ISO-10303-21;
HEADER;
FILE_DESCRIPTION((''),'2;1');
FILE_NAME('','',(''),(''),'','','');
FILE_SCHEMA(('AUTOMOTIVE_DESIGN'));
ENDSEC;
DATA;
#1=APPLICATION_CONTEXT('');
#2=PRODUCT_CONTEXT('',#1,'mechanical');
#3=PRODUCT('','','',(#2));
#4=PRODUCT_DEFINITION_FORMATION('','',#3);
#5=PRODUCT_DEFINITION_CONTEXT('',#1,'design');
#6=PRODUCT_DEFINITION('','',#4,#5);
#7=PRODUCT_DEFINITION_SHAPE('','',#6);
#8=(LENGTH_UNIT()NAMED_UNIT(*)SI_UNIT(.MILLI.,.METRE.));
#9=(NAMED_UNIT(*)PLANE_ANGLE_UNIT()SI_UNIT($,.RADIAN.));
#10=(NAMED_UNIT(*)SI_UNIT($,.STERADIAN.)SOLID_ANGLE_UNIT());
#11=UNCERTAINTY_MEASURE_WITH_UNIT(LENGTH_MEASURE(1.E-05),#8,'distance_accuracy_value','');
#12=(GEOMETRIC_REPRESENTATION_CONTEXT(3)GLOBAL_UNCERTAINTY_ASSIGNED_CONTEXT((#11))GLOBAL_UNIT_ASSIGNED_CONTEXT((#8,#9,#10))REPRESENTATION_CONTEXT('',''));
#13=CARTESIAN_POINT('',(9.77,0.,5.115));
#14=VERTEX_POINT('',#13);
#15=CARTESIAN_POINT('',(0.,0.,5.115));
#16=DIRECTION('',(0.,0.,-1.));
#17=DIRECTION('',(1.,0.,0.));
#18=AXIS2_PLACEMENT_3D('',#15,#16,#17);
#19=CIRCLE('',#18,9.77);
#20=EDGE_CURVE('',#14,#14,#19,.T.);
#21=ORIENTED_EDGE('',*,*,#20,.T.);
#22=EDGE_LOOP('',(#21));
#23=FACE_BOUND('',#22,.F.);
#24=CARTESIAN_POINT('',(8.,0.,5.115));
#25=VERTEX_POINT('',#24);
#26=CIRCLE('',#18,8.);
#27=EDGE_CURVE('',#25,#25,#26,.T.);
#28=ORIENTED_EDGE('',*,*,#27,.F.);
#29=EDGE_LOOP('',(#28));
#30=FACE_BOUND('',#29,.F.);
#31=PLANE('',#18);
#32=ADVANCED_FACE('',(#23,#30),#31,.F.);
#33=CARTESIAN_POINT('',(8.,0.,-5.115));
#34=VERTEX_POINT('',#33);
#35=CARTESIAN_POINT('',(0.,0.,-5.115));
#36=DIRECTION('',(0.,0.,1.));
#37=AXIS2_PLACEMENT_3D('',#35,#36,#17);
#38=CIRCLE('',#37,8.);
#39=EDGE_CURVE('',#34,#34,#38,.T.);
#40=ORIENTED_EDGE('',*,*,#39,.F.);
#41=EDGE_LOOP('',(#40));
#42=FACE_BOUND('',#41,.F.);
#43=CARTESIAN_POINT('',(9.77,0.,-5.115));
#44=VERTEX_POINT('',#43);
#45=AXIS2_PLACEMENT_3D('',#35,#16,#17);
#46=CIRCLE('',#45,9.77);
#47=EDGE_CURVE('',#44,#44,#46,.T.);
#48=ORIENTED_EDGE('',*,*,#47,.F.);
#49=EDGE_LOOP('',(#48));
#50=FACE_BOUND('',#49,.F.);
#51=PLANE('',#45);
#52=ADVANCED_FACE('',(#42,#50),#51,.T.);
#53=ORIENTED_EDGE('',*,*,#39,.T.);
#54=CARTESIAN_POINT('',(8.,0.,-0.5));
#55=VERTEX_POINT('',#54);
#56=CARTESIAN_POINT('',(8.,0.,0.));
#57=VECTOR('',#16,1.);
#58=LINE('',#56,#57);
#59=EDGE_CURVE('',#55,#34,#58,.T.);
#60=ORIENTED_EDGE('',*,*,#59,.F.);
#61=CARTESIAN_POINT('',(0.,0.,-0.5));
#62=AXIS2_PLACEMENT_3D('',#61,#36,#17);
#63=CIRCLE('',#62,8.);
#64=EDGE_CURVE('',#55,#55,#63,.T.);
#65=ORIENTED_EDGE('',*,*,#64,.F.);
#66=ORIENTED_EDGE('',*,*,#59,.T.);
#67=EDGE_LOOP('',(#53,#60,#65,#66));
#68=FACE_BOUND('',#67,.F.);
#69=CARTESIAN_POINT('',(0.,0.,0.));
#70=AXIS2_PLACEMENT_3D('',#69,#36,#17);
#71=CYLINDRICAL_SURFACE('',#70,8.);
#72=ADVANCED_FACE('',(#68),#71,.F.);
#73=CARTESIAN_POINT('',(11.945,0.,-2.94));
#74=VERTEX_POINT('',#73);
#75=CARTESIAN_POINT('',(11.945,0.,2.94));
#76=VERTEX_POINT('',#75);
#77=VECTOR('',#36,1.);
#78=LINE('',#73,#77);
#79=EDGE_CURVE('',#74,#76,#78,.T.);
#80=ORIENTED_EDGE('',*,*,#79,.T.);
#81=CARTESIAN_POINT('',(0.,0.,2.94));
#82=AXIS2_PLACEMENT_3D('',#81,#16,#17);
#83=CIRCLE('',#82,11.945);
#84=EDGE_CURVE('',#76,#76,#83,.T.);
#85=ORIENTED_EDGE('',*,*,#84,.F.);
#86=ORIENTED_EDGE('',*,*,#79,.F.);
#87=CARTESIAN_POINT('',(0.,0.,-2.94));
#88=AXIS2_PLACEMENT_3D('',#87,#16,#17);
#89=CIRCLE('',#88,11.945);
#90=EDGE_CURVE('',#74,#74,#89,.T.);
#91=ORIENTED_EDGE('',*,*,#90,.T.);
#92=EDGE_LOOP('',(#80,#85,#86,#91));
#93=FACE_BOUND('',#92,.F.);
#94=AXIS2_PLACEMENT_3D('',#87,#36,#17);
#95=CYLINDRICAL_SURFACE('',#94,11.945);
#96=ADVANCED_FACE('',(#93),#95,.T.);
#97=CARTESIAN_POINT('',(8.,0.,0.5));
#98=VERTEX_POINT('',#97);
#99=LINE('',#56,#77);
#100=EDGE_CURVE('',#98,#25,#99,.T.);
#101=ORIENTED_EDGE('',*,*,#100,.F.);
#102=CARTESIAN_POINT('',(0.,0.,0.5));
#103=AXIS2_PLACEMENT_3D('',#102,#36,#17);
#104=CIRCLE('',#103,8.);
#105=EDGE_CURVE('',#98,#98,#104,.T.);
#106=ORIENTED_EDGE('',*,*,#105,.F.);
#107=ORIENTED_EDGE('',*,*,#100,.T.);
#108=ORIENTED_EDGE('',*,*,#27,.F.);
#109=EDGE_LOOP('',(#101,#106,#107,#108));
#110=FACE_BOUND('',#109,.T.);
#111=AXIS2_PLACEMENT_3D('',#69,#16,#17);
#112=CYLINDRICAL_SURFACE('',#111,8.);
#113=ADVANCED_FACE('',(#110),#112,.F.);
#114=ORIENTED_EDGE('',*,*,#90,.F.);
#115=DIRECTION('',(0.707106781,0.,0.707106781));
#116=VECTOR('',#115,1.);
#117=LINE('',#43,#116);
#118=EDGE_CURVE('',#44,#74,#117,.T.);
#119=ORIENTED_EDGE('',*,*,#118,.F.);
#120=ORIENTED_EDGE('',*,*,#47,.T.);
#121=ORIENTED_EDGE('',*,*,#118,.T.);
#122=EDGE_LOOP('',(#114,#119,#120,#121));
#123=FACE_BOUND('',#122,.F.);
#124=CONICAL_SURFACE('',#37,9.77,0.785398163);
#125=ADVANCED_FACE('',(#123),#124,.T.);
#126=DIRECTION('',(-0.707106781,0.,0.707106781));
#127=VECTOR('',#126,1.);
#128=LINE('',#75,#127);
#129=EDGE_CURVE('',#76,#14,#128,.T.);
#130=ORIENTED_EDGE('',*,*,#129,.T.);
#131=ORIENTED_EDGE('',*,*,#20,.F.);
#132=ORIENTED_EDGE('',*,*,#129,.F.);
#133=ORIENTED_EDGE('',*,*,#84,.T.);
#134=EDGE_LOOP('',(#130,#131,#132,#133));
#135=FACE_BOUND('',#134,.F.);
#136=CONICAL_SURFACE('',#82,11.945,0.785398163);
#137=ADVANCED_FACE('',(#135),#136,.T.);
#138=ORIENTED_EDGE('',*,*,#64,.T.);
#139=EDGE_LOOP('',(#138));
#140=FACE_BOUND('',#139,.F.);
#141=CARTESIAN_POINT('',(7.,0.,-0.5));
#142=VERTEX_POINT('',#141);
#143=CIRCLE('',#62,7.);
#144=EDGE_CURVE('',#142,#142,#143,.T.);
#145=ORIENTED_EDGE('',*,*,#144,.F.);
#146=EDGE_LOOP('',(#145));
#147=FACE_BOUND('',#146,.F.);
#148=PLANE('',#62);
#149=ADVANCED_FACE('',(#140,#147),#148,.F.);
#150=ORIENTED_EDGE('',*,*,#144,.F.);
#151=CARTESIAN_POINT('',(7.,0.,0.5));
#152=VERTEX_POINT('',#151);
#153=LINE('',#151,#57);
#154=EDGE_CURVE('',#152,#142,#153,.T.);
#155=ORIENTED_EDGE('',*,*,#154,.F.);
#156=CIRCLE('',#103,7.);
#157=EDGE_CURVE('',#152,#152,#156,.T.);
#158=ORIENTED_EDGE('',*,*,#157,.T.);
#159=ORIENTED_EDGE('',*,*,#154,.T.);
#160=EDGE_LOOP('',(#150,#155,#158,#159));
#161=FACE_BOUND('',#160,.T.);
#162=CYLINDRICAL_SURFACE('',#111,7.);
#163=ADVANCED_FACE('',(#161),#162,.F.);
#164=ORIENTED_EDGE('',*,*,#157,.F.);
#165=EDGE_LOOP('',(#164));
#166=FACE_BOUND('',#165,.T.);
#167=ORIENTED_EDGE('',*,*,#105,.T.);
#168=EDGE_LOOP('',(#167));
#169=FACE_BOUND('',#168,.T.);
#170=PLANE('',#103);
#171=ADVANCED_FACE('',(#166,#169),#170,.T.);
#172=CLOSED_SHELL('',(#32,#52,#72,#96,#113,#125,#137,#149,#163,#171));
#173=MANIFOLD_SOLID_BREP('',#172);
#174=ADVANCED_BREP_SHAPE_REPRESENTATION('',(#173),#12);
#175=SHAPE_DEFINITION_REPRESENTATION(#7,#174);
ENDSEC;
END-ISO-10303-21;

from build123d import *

# Parameters (mm, degrees)
F2_R          = 8
F3_DEPTH      = 5.116
F3_DEPTH_BACK = 5.116
F4_R          = 8
F4_R_2        = 7
F5_DEPTH      = 0.5


with BuildPart() as f1:
    # F0 (on Front) → F1 (revolve)
    with BuildSketch(Plane.XZ):
        Polygon((9.77, 5.115), (0, 5.115), (0, -5.115), (9.77, -5.115), (11.945, -2.94), (11.945, 2.94), align=None)
    revolve(axis=Axis((0, 0, 0), (0, 0, -1)))

    # F2 (on Top) → F3 (cut, two sides)
    with BuildSketch(Plane.XY) as f3_sk:
        Circle(F2_R)
    extrude(amount=-F3_DEPTH, mode=Mode.SUBTRACT)
    extrude(f3_sk.sketch, amount=F3_DEPTH_BACK, mode=Mode.SUBTRACT)

    # F4 (on Top) → F5 (join, symmetric)
    with BuildSketch(Plane.XY):
        Circle(F4_R)
        Circle(F4_R_2, mode=Mode.SUBTRACT)
    extrude(amount=F5_DEPTH, both=True)


solid = f1.part
